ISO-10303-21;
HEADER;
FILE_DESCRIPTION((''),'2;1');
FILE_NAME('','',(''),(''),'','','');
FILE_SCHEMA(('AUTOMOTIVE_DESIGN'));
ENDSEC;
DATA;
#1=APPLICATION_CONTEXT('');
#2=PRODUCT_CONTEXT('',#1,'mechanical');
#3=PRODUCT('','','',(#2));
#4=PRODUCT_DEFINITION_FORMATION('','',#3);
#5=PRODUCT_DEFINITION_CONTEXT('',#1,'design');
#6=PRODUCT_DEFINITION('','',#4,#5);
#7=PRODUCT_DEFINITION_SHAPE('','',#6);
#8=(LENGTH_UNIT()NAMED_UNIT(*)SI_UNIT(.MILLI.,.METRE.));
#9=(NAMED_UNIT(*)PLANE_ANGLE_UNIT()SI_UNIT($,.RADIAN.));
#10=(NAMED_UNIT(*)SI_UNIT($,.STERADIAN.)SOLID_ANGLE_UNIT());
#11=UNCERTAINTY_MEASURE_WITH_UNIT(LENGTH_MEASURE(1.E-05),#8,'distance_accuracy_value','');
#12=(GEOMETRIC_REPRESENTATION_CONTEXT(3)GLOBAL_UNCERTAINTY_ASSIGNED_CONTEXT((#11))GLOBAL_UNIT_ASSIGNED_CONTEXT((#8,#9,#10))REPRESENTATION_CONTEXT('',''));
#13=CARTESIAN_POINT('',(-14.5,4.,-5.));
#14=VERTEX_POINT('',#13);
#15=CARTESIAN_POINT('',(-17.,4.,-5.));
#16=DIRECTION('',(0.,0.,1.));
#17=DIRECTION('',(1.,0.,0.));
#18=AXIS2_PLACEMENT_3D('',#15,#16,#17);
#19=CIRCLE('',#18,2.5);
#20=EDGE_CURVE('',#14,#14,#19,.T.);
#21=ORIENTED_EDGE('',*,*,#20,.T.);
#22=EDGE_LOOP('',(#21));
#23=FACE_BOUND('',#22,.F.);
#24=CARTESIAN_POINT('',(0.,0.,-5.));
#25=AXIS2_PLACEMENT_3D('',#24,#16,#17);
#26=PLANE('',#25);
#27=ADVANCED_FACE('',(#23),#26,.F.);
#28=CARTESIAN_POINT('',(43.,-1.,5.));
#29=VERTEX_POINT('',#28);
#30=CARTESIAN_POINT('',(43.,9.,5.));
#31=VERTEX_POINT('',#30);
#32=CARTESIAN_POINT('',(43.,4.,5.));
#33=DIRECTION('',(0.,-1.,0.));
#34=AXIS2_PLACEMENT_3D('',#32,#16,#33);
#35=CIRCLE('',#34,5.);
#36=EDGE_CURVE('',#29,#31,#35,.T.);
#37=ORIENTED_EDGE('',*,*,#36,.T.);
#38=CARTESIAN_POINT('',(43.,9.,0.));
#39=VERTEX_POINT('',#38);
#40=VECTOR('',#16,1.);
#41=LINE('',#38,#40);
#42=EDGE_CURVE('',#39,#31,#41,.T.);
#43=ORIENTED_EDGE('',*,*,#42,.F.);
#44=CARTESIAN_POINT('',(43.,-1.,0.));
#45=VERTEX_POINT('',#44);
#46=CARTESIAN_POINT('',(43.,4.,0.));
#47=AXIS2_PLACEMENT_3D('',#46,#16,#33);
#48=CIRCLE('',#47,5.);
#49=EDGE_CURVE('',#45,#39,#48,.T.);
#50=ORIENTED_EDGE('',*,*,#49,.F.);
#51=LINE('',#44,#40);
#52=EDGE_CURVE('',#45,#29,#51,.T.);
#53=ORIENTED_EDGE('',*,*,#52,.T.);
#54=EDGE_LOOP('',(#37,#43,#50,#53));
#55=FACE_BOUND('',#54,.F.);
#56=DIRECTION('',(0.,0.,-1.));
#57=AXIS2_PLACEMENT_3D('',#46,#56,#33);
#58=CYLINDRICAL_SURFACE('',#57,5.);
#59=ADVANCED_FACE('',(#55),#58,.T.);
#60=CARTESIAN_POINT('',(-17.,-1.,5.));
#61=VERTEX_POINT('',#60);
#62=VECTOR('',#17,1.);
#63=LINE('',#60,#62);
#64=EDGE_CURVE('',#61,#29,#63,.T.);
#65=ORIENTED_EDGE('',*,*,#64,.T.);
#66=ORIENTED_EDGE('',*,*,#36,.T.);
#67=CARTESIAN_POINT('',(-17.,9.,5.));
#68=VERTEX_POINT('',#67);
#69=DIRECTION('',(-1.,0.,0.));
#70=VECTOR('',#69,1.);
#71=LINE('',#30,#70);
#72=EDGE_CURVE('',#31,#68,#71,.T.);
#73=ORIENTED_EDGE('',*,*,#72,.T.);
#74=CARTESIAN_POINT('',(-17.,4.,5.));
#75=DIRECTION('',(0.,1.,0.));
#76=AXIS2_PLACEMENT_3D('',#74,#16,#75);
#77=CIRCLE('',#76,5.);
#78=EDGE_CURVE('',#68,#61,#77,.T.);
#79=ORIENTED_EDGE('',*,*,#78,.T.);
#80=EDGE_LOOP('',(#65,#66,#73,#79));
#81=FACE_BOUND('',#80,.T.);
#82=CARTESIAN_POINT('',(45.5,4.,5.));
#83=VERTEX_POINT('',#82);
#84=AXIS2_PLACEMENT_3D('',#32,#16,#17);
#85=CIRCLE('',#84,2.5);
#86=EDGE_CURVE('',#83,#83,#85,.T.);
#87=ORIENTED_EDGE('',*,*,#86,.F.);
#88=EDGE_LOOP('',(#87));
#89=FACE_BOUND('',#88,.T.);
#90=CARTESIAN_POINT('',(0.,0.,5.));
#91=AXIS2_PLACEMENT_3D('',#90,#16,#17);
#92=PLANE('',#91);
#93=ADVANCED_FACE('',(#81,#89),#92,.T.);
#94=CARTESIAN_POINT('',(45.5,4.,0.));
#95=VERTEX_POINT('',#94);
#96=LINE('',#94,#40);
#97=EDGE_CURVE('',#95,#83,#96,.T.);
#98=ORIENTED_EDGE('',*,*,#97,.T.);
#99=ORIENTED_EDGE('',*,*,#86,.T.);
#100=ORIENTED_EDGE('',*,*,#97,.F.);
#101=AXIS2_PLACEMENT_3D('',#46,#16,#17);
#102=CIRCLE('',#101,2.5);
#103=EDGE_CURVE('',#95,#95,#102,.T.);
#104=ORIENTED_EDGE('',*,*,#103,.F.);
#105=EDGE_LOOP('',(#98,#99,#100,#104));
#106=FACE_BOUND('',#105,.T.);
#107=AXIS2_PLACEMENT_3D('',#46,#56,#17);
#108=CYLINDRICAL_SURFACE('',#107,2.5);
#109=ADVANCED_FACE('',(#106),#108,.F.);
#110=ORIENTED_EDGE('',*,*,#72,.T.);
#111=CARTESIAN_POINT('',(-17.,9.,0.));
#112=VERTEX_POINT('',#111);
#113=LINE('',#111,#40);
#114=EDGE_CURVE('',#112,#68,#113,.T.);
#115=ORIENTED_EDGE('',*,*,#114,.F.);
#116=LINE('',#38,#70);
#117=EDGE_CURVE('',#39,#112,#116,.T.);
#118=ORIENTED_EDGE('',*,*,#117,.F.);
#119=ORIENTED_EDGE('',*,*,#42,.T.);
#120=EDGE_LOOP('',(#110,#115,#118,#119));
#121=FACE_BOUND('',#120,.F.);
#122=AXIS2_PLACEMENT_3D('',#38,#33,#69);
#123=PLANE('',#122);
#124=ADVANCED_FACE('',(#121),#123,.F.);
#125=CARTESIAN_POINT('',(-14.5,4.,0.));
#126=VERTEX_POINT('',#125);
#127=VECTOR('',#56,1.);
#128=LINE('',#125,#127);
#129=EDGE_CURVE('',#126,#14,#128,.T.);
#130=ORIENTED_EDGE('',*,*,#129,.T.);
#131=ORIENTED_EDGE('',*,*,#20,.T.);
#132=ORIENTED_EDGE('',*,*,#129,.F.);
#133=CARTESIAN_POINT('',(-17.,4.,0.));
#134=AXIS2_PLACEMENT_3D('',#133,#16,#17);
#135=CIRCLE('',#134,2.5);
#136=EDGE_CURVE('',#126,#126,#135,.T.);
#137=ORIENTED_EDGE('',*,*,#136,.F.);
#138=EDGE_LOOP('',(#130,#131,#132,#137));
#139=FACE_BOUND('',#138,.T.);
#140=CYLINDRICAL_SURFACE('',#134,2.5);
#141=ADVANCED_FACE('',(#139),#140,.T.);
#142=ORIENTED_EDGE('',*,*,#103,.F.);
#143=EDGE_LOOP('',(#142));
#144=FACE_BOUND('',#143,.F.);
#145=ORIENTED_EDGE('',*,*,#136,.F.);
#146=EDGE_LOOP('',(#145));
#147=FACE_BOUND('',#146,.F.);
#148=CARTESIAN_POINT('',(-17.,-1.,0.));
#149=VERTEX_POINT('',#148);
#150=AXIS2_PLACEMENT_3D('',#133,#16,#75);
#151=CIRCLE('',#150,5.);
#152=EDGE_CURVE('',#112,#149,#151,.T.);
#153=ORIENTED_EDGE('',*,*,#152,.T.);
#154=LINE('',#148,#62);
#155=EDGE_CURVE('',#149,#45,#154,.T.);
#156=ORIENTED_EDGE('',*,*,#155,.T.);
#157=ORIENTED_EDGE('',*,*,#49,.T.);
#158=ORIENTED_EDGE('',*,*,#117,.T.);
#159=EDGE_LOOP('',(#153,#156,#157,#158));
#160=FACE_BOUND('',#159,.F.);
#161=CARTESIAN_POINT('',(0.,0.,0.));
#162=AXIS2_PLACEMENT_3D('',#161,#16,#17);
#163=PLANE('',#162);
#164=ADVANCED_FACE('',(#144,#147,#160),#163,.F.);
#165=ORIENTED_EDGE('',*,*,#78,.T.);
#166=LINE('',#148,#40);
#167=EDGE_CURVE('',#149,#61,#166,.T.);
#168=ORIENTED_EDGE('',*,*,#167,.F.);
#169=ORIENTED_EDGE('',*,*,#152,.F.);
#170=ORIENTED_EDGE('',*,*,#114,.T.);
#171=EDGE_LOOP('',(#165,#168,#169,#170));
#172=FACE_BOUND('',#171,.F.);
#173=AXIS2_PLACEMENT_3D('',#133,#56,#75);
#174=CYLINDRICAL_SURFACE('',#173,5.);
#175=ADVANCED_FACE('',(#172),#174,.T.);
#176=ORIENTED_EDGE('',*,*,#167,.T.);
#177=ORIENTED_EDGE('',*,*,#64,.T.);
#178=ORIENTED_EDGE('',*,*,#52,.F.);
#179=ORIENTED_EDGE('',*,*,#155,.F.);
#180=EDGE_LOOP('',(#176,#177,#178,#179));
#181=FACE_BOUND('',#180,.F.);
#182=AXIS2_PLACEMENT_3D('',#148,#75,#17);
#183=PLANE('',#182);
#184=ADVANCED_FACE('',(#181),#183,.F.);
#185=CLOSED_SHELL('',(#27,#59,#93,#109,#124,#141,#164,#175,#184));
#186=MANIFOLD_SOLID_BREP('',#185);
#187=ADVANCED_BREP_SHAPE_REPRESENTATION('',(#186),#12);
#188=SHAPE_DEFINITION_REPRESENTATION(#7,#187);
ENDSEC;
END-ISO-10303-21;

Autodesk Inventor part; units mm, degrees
ref_plane "YZ Plane" through (0, 0, 0) normal (1, 0, 0) x (0, 1, 0)
ref_plane "XZ Plane" through (0, 0, 0) normal (0, 1, 0) x (-1, 0, 0)
ref_plane "XY Plane" through (0, 0, 0) normal (0, 0, 1) x (1, 0, 0)
sketch "Sketch1" plane through (0, 0, 0) normal (0, 0, 1) x (1, 0, 0)
  line L0 (-17, 4) -> (43, 4) construction
  line L1 (-17, -1) -> (43, -1)
  line L2 (43, 9) -> (-17, 9)
  arc A0 (-17, 9) -> (-17, -1) centre (-17, 4) ccw
  arc A1 (43, -1) -> (43, 9) centre (43, 4) ccw
  circle A2 centre (-17, 4) radius 2.5
  circle A3 centre (43, 4) radius 2.5
  point P0 (0, 0)
  point P1 (13, 4)
  dimension "d0" = 60
  dimension "d1" = 10
  dimension "d2" = 5
extrude "Extrusion1" add sketch "Sketch1" along normal blind 5 contours A0 L2 A1 L1 | A2
extrude "Extrusion2" add sketch "Sketch1" against normal blind 5 contours A2
